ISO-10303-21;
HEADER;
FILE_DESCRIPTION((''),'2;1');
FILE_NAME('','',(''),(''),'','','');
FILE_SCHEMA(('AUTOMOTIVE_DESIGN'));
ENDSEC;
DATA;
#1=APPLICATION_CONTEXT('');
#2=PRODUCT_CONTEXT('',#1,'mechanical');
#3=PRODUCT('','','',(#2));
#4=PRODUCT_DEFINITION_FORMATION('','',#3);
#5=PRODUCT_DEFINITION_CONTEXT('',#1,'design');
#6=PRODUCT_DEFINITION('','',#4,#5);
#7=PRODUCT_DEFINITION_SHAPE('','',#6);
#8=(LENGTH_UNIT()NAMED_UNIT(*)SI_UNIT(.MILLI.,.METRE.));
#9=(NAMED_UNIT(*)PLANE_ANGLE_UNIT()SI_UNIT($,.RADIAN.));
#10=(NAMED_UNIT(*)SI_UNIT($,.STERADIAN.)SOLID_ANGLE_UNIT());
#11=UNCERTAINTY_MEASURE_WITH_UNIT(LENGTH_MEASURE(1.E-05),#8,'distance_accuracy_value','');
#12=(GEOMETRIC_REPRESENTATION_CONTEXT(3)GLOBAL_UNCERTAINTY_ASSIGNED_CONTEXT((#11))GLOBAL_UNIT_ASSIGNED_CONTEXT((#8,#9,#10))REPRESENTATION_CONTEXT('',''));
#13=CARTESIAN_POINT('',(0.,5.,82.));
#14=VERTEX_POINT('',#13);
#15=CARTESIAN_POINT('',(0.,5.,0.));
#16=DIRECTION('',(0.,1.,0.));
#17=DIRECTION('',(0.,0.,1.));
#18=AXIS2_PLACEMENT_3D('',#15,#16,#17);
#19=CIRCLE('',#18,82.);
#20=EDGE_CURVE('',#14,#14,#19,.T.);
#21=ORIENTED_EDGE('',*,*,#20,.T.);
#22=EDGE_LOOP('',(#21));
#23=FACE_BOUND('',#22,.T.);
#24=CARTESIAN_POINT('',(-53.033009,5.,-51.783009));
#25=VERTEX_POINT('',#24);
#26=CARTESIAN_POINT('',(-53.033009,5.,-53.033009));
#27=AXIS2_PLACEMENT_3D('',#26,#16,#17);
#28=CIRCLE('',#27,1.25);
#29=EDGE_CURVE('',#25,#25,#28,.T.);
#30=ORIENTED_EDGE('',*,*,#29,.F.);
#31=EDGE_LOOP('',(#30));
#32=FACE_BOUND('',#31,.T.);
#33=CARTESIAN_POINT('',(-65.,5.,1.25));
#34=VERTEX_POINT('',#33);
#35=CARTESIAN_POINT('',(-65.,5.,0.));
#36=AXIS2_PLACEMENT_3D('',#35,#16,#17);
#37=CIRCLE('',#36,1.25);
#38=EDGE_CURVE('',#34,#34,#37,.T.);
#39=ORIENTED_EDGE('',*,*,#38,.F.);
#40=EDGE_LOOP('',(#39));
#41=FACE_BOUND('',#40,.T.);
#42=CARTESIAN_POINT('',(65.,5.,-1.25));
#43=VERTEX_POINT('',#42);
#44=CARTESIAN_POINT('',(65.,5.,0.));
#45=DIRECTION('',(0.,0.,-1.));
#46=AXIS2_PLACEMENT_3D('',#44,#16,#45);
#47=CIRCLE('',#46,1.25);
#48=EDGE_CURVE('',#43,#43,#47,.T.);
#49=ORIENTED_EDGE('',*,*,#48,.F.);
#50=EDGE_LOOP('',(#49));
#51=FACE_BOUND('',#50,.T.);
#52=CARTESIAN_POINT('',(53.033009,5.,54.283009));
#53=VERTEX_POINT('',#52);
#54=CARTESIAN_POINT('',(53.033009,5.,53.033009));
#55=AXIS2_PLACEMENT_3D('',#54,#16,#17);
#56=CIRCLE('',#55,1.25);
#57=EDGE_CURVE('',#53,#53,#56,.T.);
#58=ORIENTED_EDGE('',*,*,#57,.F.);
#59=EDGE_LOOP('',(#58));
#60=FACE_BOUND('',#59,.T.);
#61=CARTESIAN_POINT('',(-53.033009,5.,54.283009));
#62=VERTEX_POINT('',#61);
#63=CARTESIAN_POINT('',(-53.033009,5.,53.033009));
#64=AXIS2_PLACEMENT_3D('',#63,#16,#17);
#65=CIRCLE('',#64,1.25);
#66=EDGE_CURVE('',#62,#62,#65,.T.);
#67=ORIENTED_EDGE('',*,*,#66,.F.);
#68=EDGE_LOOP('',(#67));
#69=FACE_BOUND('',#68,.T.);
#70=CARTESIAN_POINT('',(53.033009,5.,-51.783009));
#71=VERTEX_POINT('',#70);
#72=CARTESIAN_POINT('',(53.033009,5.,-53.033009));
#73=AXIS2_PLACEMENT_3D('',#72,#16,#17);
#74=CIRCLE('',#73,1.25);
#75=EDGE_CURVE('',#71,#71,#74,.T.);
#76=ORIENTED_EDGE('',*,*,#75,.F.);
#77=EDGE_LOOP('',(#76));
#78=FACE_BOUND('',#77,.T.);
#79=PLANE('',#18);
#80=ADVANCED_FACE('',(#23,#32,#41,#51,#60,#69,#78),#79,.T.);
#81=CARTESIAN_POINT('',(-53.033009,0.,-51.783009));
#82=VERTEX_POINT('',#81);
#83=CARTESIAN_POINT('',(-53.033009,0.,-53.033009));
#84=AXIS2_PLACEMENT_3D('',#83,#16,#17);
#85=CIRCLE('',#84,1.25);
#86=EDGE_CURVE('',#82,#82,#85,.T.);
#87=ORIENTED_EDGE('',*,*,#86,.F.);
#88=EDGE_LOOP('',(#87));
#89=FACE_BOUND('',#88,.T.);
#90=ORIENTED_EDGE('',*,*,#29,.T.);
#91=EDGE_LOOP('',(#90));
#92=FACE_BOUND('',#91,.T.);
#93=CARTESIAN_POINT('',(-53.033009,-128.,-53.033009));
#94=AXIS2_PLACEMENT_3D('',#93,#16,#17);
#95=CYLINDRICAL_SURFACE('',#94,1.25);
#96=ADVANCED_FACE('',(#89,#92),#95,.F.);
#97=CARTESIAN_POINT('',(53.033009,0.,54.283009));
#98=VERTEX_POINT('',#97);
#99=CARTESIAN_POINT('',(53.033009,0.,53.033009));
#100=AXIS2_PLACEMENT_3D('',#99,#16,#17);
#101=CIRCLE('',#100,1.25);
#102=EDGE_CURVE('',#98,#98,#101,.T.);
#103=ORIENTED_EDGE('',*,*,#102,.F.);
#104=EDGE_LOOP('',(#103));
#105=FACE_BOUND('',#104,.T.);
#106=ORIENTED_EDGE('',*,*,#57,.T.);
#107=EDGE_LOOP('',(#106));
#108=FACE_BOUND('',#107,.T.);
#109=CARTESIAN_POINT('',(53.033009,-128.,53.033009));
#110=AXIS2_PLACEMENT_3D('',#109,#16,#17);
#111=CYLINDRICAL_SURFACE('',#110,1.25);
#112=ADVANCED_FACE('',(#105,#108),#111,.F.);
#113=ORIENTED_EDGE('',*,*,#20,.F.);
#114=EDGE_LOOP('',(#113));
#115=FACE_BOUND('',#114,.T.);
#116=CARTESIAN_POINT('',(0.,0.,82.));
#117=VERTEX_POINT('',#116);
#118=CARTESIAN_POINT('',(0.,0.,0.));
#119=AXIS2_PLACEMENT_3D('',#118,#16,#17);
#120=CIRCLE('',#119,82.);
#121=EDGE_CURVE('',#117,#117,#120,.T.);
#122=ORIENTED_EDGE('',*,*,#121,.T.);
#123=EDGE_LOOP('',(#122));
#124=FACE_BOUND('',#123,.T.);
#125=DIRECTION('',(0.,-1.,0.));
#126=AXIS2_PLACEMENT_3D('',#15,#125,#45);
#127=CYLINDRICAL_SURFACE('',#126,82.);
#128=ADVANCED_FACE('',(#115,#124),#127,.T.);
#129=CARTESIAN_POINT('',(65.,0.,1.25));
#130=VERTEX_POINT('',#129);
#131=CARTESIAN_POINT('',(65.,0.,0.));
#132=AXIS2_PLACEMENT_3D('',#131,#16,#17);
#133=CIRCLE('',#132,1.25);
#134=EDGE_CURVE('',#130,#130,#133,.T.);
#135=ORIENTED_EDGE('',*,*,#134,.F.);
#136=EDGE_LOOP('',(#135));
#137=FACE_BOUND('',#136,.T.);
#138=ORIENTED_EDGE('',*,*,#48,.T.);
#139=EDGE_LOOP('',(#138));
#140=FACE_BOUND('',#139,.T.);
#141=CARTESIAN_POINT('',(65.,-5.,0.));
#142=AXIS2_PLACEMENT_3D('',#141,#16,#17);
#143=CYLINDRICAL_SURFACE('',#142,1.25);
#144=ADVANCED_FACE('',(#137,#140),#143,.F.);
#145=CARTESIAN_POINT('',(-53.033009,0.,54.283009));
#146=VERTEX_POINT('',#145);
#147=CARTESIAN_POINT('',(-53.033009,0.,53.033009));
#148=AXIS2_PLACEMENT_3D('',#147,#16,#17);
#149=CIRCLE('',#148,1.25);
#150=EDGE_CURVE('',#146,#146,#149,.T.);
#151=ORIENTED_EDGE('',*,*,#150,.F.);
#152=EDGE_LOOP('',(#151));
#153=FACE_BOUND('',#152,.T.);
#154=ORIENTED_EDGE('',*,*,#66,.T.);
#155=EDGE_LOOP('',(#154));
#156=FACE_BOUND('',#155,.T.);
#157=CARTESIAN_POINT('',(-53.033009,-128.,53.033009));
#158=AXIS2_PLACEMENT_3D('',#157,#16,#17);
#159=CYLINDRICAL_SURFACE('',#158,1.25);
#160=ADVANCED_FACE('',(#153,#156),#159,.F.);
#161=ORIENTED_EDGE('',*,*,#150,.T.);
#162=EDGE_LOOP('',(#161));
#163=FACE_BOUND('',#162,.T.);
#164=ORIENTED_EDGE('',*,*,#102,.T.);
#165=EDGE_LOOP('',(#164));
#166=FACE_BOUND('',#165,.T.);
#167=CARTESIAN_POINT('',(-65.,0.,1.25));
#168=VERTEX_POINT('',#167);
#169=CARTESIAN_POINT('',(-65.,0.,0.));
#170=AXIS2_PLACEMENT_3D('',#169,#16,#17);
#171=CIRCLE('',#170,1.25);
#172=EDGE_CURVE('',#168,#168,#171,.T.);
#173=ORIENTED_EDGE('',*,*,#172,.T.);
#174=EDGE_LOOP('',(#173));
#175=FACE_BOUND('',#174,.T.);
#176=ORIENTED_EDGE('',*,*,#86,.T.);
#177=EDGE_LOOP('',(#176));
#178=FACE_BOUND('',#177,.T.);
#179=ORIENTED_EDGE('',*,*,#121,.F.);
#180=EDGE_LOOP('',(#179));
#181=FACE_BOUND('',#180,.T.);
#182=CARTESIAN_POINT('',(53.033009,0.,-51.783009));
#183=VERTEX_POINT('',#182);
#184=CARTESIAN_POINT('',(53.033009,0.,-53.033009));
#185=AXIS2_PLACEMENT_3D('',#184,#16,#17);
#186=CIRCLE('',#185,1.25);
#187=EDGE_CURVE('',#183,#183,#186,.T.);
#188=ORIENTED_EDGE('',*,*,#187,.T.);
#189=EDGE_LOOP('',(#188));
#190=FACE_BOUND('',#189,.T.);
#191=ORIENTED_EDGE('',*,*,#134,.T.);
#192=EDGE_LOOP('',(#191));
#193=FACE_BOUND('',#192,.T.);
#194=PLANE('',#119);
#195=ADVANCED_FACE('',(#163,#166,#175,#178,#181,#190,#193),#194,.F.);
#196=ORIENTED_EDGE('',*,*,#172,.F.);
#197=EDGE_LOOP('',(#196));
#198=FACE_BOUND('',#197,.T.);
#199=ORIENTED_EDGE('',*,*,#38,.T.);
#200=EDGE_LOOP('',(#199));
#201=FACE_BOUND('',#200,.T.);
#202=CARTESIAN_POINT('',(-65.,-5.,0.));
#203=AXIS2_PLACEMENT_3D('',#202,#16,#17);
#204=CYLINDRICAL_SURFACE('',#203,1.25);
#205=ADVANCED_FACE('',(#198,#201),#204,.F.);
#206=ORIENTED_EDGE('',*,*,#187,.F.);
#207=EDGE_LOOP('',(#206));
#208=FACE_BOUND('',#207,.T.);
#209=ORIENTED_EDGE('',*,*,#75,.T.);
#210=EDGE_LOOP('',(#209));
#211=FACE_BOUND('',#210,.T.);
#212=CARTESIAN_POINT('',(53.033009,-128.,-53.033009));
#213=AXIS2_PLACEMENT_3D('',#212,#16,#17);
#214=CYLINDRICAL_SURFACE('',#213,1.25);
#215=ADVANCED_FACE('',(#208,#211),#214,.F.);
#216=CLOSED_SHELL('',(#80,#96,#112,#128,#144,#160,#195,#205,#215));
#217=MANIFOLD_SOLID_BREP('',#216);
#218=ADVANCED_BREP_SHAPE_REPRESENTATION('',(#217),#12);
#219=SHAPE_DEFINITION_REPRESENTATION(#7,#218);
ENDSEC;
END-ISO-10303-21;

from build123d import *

# Parameters (mm, degrees)
SKETCH1_R           = 82
BOSS_EXTRUDE1_DEPTH = 5
SKETCH14_R          = 1.25
CUT_EXTRUDE2_DEPTH  = 133
SKETCH15_R          = 1.25
CUT_EXTRUDE3_DEPTH  = 10
CIRPATTERN1_COUNT   = 2


with BuildPart() as part:
    # Sketch1 → Boss-Extrude1 (new body)
    with BuildSketch(Plane(origin=(0, 0, 0), x_dir=(1, 0, 0), z_dir=(0, 1, 0))):
        with Locations(Location((0, 0, 0), (0, 0, 270))):
            Circle(SKETCH1_R)
    extrude(amount=BOSS_EXTRUDE1_DEPTH)

    # Sketch14 → Cut-Extrude2 (cut)
    with BuildSketch(Plane(origin=(0, 5, 0), x_dir=(1, 0, 0), z_dir=(0, 1, 0))):
        with Locations(Location((-53.033008589, 53.033008589, 0), (0, 0, 270))):
            Circle(SKETCH14_R)
        with Locations(Location((53.033008589, 53.033008589, 0), (0, 0, 270))):
            Circle(SKETCH14_R)
        with Locations(Location((53.033008589, -53.033008589, 0), (0, 0, 270))):
            Circle(SKETCH14_R)
        with Locations(Location((-53.033008589, -53.033008589, 0), (0, 0, 270))):
            Circle(SKETCH14_R)
    extrude(amount=-CUT_EXTRUDE2_DEPTH, mode=Mode.SUBTRACT)

    # Sketch15 → Cut-Extrude3 (cut)
    with BuildSketch(Plane(origin=(0, 5, 0), x_dir=(1, 0, 0), z_dir=(0, 1, 0))):
        with Locations(Location((-65, 0, 0), (0, 0, 270))):
            Circle(SKETCH15_R)
    cut_extrude3 = extrude(amount=-CUT_EXTRUDE3_DEPTH, mode=Mode.SUBTRACT)

    # CirPattern1: Cut-Extrude3 ×2 about axis
    cirpattern1_axis = Axis((0, 0, 0), (0, 1, 0))
    for i in range(1, CIRPATTERN1_COUNT):
        add(cut_extrude3.rotate(cirpattern1_axis, i * 360 / CIRPATTERN1_COUNT), mode=Mode.SUBTRACT)


solid = part.part
